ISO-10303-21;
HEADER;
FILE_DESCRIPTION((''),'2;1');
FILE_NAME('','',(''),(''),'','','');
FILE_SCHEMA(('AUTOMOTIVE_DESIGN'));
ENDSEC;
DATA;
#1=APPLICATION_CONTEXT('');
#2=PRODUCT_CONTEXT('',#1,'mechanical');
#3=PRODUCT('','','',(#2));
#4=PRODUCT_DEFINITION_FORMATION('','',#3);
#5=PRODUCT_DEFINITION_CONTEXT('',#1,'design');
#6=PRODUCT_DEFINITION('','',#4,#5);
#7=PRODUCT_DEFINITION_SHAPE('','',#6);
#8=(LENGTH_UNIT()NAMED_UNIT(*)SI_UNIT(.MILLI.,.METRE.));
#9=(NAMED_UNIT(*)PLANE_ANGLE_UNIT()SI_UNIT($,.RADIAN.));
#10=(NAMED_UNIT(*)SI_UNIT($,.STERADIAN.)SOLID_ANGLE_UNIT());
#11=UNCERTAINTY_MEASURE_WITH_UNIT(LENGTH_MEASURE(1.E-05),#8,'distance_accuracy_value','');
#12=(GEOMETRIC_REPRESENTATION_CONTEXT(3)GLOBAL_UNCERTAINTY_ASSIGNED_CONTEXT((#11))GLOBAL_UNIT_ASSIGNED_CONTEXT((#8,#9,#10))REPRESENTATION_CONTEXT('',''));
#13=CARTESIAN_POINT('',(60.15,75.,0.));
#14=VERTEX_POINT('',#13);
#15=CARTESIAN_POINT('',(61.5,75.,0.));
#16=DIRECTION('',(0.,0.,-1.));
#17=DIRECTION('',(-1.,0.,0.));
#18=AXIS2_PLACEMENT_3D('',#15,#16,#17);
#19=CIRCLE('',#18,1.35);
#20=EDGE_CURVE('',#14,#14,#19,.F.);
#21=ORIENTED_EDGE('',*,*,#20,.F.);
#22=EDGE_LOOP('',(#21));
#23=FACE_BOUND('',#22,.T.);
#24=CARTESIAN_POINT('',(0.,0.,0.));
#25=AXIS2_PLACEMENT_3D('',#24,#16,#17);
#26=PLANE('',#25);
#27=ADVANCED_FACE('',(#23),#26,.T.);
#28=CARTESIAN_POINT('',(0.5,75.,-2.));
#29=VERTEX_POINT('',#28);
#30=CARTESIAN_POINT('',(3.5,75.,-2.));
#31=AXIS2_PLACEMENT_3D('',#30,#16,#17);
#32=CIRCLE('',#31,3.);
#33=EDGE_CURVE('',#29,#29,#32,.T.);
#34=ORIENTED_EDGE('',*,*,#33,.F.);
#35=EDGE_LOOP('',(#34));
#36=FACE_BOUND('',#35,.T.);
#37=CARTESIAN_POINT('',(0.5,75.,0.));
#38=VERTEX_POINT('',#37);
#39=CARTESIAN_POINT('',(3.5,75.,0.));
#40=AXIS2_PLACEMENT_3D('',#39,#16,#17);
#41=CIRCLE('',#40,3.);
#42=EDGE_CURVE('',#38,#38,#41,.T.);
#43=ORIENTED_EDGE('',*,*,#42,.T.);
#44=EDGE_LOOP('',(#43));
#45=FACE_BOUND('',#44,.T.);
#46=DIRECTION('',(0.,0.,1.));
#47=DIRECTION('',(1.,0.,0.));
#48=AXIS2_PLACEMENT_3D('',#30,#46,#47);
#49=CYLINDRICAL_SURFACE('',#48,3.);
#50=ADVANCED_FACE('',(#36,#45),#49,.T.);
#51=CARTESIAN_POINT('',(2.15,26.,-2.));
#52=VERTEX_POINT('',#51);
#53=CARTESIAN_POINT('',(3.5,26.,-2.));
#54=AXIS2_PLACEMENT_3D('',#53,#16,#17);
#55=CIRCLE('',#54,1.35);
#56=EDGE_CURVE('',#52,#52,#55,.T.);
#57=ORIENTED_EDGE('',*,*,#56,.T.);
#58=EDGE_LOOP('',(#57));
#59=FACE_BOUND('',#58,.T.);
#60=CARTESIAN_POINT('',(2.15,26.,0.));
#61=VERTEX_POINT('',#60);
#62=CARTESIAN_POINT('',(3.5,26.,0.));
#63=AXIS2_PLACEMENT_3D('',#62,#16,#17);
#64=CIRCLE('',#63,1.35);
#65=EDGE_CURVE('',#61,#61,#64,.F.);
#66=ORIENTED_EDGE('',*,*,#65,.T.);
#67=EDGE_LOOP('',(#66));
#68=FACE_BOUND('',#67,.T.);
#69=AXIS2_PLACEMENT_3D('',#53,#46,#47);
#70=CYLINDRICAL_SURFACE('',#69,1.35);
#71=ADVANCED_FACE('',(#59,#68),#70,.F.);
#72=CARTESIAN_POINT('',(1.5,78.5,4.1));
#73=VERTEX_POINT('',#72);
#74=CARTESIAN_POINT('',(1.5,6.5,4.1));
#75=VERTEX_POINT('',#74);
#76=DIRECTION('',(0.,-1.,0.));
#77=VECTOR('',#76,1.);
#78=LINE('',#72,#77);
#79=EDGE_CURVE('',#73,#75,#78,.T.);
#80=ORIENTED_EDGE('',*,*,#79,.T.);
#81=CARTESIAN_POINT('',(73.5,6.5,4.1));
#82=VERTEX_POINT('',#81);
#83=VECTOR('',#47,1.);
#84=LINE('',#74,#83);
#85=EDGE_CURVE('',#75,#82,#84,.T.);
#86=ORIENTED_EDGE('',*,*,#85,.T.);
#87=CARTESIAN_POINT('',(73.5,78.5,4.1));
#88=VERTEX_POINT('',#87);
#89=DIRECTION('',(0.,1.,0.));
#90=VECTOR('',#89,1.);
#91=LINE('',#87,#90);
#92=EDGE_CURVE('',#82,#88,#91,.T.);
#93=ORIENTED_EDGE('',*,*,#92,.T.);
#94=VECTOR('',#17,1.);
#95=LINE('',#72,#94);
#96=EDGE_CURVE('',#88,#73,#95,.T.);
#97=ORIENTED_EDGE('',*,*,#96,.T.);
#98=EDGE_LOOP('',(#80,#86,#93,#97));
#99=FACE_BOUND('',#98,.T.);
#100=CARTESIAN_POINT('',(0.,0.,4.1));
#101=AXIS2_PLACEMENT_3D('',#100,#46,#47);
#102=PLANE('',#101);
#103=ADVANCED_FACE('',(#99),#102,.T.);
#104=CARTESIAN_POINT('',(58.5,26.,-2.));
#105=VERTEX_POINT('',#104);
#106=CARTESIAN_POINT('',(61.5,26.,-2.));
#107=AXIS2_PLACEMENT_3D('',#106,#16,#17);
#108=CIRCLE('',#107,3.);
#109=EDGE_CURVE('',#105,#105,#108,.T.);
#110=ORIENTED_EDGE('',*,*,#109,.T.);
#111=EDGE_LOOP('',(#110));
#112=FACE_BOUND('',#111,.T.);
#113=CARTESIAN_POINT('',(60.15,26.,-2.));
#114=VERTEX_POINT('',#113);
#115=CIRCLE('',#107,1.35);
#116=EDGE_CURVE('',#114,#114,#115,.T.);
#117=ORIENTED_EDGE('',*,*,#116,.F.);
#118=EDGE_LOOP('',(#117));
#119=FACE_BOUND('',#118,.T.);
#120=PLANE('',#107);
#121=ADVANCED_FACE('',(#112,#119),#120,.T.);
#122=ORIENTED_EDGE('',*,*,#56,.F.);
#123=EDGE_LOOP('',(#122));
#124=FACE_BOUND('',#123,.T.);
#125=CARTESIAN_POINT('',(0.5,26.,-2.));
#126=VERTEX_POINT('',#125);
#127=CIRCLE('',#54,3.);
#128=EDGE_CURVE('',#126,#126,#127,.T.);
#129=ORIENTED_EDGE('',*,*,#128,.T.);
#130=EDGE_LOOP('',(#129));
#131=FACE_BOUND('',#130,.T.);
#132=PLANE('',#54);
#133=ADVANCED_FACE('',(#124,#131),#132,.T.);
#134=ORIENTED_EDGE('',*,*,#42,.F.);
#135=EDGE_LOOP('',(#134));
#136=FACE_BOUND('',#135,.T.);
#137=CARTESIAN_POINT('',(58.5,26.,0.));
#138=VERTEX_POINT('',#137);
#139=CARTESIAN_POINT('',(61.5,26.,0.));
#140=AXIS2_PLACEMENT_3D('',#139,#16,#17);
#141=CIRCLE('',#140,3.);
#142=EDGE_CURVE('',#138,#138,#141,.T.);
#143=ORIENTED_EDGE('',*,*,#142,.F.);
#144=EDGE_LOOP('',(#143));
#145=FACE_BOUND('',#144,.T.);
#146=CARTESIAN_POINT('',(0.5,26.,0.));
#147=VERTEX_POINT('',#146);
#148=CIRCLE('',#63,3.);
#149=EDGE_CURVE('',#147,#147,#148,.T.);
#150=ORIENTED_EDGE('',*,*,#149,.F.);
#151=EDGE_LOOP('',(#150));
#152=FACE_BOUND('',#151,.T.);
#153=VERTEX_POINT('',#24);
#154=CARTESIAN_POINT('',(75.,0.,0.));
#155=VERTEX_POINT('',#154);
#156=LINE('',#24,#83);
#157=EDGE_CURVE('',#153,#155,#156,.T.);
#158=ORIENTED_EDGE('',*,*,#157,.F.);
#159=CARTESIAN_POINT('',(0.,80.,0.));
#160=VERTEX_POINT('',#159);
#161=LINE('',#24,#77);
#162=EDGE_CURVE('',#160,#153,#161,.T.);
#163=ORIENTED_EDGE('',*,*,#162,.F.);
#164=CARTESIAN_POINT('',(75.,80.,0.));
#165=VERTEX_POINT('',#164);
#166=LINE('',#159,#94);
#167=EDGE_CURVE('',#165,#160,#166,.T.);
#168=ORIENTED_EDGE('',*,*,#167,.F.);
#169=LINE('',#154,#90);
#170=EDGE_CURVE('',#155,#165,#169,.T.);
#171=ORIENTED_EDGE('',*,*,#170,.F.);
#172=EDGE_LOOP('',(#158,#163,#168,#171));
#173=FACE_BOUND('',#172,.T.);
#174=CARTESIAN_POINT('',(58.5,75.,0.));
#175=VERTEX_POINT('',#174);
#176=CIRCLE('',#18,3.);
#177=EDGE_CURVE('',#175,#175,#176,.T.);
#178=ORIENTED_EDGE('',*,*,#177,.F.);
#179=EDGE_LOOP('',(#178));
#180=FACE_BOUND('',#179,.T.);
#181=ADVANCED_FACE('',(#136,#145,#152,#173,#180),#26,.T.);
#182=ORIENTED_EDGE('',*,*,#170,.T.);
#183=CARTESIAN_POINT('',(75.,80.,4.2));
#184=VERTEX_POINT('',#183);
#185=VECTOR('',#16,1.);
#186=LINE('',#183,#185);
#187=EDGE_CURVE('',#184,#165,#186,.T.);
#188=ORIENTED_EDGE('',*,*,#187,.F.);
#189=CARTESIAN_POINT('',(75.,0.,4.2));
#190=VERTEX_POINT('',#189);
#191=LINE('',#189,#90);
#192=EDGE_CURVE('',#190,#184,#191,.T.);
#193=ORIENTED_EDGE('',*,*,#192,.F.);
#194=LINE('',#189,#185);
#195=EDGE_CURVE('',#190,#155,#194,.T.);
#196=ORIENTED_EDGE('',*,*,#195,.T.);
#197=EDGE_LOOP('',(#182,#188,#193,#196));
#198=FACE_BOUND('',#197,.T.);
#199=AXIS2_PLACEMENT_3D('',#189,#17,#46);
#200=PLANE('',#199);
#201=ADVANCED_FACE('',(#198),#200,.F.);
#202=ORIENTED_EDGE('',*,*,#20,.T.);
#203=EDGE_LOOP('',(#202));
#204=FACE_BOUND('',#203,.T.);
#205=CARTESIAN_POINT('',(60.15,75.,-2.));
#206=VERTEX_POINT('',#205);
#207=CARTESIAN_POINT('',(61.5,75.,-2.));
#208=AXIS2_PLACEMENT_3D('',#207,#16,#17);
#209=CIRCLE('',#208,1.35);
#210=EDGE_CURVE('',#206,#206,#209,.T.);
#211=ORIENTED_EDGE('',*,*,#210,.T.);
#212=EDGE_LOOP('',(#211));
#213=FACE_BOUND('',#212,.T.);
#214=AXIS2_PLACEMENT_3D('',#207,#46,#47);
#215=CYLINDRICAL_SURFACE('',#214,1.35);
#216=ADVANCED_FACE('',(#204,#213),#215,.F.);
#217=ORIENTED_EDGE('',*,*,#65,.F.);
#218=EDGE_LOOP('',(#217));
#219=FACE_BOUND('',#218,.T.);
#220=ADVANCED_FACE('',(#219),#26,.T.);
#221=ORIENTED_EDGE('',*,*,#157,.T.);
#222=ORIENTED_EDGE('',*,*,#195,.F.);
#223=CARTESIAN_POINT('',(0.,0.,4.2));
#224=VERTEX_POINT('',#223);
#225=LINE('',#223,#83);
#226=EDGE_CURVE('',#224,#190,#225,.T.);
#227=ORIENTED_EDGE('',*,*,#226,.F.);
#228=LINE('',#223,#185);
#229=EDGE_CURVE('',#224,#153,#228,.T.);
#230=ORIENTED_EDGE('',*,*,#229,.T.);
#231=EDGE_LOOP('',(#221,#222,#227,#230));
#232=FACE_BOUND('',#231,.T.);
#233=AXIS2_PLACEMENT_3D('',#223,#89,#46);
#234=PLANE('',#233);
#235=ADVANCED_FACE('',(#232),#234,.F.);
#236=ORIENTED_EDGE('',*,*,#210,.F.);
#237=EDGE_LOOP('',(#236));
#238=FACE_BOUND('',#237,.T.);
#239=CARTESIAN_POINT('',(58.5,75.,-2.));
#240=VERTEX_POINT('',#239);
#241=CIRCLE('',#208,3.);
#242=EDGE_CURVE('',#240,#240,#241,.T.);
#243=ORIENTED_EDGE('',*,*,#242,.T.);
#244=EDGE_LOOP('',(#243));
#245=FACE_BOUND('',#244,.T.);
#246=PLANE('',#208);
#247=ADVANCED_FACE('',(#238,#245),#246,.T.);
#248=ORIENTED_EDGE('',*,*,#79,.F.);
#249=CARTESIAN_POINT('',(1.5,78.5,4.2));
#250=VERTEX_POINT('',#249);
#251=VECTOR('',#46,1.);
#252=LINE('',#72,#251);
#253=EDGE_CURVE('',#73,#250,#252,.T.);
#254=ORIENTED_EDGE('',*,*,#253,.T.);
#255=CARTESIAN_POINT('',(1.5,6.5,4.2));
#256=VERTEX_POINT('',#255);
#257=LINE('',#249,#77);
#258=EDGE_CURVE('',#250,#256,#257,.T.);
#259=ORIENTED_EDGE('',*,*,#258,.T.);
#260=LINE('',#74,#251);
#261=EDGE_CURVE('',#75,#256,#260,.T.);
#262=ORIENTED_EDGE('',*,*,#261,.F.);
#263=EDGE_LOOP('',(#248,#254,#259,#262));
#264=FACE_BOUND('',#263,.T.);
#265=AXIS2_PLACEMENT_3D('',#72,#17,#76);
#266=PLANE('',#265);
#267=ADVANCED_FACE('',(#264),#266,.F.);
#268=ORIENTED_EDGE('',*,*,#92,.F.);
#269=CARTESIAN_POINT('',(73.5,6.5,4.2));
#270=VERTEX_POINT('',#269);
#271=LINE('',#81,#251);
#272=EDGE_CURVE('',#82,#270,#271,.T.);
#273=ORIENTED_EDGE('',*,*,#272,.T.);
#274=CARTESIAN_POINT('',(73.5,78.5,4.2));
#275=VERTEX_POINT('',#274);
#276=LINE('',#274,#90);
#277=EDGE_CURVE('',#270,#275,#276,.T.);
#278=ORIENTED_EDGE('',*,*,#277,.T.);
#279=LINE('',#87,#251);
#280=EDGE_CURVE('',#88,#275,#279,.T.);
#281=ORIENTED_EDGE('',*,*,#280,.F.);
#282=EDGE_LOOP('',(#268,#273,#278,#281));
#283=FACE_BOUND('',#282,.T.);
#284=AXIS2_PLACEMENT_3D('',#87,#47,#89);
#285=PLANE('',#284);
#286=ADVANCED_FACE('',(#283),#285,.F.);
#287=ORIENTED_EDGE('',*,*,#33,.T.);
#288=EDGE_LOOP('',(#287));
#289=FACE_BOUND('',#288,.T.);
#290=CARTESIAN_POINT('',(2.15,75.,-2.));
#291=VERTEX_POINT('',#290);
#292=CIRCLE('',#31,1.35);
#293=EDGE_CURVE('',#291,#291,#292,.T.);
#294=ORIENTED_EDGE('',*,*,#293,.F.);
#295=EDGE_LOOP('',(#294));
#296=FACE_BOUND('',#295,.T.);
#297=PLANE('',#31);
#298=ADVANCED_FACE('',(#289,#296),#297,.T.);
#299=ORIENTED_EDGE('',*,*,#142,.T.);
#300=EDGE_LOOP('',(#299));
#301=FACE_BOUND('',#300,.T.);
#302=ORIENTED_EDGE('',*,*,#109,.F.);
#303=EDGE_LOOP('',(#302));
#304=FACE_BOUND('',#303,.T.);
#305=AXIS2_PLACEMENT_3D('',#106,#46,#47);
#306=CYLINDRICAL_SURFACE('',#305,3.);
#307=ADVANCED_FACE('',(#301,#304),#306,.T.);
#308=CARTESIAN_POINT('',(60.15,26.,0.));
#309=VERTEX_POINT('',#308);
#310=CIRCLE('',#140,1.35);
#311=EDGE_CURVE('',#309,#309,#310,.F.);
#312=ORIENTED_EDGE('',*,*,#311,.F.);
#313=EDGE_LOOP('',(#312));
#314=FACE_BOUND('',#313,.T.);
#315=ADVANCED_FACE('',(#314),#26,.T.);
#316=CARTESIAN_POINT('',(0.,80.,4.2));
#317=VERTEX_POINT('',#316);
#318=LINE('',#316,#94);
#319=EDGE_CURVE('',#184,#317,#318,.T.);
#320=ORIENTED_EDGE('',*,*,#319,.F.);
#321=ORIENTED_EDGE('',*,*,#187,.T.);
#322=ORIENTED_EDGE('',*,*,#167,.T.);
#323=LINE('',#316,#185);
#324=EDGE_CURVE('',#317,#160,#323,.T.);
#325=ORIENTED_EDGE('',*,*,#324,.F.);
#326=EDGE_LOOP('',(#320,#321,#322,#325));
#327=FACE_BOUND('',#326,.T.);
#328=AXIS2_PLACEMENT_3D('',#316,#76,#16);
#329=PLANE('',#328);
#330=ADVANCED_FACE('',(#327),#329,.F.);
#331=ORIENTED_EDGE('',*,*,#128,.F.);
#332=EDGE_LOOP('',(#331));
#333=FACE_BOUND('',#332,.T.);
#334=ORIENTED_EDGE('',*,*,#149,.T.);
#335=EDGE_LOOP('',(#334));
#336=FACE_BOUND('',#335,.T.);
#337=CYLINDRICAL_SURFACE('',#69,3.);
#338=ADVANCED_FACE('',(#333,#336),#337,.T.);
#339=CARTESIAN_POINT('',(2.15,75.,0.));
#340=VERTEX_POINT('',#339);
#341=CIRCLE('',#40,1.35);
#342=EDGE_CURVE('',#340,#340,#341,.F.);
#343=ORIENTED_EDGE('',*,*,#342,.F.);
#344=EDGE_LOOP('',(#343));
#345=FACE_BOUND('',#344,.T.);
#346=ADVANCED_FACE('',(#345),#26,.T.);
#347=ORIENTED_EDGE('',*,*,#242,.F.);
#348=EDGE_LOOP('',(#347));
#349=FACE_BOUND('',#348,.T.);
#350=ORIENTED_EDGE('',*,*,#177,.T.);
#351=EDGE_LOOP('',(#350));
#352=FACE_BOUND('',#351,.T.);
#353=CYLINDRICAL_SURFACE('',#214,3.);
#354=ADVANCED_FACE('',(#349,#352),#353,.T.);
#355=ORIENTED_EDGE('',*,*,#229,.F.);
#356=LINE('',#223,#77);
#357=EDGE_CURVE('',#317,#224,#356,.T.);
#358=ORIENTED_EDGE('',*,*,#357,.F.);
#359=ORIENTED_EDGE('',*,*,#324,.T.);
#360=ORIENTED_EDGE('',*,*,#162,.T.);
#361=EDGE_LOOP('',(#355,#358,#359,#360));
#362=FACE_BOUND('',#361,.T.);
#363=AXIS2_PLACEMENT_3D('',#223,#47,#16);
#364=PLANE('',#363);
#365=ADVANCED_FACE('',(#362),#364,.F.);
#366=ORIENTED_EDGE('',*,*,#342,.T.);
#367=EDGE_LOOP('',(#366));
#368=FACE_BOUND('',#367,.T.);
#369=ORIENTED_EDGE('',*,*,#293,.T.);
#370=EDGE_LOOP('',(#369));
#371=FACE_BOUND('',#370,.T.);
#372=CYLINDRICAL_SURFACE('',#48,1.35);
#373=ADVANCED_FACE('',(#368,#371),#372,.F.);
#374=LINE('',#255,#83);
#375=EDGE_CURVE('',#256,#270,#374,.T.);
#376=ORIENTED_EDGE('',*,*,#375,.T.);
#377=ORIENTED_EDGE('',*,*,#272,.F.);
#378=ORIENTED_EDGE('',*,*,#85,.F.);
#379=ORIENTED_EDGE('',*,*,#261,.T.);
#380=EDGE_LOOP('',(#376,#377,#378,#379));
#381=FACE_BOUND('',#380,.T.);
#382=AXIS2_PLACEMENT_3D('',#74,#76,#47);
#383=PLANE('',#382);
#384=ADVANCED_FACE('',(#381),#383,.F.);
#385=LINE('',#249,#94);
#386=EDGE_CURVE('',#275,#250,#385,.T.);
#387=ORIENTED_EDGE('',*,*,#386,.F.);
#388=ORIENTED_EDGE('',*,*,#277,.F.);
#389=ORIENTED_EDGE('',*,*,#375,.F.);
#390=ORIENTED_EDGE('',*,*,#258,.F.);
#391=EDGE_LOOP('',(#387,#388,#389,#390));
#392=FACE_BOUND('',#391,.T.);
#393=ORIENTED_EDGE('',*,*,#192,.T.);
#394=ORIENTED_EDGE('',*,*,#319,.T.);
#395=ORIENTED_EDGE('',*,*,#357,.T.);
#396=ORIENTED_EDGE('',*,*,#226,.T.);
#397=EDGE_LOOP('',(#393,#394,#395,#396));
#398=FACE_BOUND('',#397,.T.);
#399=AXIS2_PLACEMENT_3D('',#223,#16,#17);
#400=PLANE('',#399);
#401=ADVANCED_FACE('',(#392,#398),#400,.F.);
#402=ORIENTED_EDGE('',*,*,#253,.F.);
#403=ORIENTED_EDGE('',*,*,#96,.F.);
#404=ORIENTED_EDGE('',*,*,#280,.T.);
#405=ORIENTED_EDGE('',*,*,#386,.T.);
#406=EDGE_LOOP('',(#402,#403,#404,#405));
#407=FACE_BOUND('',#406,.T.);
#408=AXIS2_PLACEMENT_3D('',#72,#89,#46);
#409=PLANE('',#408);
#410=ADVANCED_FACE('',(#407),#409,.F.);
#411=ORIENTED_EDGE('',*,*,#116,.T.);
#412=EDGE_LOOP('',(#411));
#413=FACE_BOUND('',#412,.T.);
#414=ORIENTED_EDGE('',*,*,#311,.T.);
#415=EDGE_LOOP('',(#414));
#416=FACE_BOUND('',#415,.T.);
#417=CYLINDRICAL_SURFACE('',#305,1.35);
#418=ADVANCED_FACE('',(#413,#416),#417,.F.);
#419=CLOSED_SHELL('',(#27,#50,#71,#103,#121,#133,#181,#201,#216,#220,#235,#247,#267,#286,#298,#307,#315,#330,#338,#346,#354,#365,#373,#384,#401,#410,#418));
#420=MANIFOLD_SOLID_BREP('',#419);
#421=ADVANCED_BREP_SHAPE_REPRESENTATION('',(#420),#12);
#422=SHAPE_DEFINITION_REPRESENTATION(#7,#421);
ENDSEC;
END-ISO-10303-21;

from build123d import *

# Parameters (mm, degrees)
SKETCH1_W           = 75
SKETCH1_H           = 80
BOSS_EXTRUDE1_DEPTH = 4.2
SKETCH2_W           = 72
SKETCH2_H           = 72
CUT_EXTRUDE1_DEPTH  = 0.1
SKETCH3_R           = 3
SKETCH3_R_2         = 1.35
BOSS_EXTRUDE2_DEPTH = 2


with BuildPart() as part:
    # Sketch1 → Boss-Extrude1 (new body)
    with BuildSketch(Plane.XY):
        with Locations((37.5, 40)):
            Rectangle(SKETCH1_W, SKETCH1_H)
    extrude(amount=BOSS_EXTRUDE1_DEPTH)

    # Sketch2 → Cut-Extrude1 (cut)
    with BuildSketch(Plane.XY.offset(4.2)):
        with Locations((37.5, 42.5)):
            Rectangle(SKETCH2_W, SKETCH2_H)
    extrude(amount=-CUT_EXTRUDE1_DEPTH, mode=Mode.SUBTRACT)

    # Sketch3 → Boss-Extrude2 (add)
    with BuildSketch(Plane(origin=(0, 0, 0), x_dir=(-1, 0, 0), z_dir=(0, 0, -1))):
        with Locations((-61.5, 75)):
            Circle(SKETCH3_R)
        with Locations((-61.5, 75)):
            Circle(SKETCH3_R_2, mode=Mode.SUBTRACT)
        with Locations((-3.5, 75)):
            Circle(SKETCH3_R)
        with Locations((-3.5, 75)):
            Circle(SKETCH3_R_2, mode=Mode.SUBTRACT)
        with Locations((-3.5, 26)):
            Circle(SKETCH3_R)
        with Locations((-3.5, 26)):
            Circle(SKETCH3_R_2, mode=Mode.SUBTRACT)
        with Locations((-61.5, 26)):
            Circle(SKETCH3_R)
        with Locations((-61.5, 26)):
            Circle(SKETCH3_R_2, mode=Mode.SUBTRACT)
    extrude(amount=BOSS_EXTRUDE2_DEPTH)


solid = part.part
